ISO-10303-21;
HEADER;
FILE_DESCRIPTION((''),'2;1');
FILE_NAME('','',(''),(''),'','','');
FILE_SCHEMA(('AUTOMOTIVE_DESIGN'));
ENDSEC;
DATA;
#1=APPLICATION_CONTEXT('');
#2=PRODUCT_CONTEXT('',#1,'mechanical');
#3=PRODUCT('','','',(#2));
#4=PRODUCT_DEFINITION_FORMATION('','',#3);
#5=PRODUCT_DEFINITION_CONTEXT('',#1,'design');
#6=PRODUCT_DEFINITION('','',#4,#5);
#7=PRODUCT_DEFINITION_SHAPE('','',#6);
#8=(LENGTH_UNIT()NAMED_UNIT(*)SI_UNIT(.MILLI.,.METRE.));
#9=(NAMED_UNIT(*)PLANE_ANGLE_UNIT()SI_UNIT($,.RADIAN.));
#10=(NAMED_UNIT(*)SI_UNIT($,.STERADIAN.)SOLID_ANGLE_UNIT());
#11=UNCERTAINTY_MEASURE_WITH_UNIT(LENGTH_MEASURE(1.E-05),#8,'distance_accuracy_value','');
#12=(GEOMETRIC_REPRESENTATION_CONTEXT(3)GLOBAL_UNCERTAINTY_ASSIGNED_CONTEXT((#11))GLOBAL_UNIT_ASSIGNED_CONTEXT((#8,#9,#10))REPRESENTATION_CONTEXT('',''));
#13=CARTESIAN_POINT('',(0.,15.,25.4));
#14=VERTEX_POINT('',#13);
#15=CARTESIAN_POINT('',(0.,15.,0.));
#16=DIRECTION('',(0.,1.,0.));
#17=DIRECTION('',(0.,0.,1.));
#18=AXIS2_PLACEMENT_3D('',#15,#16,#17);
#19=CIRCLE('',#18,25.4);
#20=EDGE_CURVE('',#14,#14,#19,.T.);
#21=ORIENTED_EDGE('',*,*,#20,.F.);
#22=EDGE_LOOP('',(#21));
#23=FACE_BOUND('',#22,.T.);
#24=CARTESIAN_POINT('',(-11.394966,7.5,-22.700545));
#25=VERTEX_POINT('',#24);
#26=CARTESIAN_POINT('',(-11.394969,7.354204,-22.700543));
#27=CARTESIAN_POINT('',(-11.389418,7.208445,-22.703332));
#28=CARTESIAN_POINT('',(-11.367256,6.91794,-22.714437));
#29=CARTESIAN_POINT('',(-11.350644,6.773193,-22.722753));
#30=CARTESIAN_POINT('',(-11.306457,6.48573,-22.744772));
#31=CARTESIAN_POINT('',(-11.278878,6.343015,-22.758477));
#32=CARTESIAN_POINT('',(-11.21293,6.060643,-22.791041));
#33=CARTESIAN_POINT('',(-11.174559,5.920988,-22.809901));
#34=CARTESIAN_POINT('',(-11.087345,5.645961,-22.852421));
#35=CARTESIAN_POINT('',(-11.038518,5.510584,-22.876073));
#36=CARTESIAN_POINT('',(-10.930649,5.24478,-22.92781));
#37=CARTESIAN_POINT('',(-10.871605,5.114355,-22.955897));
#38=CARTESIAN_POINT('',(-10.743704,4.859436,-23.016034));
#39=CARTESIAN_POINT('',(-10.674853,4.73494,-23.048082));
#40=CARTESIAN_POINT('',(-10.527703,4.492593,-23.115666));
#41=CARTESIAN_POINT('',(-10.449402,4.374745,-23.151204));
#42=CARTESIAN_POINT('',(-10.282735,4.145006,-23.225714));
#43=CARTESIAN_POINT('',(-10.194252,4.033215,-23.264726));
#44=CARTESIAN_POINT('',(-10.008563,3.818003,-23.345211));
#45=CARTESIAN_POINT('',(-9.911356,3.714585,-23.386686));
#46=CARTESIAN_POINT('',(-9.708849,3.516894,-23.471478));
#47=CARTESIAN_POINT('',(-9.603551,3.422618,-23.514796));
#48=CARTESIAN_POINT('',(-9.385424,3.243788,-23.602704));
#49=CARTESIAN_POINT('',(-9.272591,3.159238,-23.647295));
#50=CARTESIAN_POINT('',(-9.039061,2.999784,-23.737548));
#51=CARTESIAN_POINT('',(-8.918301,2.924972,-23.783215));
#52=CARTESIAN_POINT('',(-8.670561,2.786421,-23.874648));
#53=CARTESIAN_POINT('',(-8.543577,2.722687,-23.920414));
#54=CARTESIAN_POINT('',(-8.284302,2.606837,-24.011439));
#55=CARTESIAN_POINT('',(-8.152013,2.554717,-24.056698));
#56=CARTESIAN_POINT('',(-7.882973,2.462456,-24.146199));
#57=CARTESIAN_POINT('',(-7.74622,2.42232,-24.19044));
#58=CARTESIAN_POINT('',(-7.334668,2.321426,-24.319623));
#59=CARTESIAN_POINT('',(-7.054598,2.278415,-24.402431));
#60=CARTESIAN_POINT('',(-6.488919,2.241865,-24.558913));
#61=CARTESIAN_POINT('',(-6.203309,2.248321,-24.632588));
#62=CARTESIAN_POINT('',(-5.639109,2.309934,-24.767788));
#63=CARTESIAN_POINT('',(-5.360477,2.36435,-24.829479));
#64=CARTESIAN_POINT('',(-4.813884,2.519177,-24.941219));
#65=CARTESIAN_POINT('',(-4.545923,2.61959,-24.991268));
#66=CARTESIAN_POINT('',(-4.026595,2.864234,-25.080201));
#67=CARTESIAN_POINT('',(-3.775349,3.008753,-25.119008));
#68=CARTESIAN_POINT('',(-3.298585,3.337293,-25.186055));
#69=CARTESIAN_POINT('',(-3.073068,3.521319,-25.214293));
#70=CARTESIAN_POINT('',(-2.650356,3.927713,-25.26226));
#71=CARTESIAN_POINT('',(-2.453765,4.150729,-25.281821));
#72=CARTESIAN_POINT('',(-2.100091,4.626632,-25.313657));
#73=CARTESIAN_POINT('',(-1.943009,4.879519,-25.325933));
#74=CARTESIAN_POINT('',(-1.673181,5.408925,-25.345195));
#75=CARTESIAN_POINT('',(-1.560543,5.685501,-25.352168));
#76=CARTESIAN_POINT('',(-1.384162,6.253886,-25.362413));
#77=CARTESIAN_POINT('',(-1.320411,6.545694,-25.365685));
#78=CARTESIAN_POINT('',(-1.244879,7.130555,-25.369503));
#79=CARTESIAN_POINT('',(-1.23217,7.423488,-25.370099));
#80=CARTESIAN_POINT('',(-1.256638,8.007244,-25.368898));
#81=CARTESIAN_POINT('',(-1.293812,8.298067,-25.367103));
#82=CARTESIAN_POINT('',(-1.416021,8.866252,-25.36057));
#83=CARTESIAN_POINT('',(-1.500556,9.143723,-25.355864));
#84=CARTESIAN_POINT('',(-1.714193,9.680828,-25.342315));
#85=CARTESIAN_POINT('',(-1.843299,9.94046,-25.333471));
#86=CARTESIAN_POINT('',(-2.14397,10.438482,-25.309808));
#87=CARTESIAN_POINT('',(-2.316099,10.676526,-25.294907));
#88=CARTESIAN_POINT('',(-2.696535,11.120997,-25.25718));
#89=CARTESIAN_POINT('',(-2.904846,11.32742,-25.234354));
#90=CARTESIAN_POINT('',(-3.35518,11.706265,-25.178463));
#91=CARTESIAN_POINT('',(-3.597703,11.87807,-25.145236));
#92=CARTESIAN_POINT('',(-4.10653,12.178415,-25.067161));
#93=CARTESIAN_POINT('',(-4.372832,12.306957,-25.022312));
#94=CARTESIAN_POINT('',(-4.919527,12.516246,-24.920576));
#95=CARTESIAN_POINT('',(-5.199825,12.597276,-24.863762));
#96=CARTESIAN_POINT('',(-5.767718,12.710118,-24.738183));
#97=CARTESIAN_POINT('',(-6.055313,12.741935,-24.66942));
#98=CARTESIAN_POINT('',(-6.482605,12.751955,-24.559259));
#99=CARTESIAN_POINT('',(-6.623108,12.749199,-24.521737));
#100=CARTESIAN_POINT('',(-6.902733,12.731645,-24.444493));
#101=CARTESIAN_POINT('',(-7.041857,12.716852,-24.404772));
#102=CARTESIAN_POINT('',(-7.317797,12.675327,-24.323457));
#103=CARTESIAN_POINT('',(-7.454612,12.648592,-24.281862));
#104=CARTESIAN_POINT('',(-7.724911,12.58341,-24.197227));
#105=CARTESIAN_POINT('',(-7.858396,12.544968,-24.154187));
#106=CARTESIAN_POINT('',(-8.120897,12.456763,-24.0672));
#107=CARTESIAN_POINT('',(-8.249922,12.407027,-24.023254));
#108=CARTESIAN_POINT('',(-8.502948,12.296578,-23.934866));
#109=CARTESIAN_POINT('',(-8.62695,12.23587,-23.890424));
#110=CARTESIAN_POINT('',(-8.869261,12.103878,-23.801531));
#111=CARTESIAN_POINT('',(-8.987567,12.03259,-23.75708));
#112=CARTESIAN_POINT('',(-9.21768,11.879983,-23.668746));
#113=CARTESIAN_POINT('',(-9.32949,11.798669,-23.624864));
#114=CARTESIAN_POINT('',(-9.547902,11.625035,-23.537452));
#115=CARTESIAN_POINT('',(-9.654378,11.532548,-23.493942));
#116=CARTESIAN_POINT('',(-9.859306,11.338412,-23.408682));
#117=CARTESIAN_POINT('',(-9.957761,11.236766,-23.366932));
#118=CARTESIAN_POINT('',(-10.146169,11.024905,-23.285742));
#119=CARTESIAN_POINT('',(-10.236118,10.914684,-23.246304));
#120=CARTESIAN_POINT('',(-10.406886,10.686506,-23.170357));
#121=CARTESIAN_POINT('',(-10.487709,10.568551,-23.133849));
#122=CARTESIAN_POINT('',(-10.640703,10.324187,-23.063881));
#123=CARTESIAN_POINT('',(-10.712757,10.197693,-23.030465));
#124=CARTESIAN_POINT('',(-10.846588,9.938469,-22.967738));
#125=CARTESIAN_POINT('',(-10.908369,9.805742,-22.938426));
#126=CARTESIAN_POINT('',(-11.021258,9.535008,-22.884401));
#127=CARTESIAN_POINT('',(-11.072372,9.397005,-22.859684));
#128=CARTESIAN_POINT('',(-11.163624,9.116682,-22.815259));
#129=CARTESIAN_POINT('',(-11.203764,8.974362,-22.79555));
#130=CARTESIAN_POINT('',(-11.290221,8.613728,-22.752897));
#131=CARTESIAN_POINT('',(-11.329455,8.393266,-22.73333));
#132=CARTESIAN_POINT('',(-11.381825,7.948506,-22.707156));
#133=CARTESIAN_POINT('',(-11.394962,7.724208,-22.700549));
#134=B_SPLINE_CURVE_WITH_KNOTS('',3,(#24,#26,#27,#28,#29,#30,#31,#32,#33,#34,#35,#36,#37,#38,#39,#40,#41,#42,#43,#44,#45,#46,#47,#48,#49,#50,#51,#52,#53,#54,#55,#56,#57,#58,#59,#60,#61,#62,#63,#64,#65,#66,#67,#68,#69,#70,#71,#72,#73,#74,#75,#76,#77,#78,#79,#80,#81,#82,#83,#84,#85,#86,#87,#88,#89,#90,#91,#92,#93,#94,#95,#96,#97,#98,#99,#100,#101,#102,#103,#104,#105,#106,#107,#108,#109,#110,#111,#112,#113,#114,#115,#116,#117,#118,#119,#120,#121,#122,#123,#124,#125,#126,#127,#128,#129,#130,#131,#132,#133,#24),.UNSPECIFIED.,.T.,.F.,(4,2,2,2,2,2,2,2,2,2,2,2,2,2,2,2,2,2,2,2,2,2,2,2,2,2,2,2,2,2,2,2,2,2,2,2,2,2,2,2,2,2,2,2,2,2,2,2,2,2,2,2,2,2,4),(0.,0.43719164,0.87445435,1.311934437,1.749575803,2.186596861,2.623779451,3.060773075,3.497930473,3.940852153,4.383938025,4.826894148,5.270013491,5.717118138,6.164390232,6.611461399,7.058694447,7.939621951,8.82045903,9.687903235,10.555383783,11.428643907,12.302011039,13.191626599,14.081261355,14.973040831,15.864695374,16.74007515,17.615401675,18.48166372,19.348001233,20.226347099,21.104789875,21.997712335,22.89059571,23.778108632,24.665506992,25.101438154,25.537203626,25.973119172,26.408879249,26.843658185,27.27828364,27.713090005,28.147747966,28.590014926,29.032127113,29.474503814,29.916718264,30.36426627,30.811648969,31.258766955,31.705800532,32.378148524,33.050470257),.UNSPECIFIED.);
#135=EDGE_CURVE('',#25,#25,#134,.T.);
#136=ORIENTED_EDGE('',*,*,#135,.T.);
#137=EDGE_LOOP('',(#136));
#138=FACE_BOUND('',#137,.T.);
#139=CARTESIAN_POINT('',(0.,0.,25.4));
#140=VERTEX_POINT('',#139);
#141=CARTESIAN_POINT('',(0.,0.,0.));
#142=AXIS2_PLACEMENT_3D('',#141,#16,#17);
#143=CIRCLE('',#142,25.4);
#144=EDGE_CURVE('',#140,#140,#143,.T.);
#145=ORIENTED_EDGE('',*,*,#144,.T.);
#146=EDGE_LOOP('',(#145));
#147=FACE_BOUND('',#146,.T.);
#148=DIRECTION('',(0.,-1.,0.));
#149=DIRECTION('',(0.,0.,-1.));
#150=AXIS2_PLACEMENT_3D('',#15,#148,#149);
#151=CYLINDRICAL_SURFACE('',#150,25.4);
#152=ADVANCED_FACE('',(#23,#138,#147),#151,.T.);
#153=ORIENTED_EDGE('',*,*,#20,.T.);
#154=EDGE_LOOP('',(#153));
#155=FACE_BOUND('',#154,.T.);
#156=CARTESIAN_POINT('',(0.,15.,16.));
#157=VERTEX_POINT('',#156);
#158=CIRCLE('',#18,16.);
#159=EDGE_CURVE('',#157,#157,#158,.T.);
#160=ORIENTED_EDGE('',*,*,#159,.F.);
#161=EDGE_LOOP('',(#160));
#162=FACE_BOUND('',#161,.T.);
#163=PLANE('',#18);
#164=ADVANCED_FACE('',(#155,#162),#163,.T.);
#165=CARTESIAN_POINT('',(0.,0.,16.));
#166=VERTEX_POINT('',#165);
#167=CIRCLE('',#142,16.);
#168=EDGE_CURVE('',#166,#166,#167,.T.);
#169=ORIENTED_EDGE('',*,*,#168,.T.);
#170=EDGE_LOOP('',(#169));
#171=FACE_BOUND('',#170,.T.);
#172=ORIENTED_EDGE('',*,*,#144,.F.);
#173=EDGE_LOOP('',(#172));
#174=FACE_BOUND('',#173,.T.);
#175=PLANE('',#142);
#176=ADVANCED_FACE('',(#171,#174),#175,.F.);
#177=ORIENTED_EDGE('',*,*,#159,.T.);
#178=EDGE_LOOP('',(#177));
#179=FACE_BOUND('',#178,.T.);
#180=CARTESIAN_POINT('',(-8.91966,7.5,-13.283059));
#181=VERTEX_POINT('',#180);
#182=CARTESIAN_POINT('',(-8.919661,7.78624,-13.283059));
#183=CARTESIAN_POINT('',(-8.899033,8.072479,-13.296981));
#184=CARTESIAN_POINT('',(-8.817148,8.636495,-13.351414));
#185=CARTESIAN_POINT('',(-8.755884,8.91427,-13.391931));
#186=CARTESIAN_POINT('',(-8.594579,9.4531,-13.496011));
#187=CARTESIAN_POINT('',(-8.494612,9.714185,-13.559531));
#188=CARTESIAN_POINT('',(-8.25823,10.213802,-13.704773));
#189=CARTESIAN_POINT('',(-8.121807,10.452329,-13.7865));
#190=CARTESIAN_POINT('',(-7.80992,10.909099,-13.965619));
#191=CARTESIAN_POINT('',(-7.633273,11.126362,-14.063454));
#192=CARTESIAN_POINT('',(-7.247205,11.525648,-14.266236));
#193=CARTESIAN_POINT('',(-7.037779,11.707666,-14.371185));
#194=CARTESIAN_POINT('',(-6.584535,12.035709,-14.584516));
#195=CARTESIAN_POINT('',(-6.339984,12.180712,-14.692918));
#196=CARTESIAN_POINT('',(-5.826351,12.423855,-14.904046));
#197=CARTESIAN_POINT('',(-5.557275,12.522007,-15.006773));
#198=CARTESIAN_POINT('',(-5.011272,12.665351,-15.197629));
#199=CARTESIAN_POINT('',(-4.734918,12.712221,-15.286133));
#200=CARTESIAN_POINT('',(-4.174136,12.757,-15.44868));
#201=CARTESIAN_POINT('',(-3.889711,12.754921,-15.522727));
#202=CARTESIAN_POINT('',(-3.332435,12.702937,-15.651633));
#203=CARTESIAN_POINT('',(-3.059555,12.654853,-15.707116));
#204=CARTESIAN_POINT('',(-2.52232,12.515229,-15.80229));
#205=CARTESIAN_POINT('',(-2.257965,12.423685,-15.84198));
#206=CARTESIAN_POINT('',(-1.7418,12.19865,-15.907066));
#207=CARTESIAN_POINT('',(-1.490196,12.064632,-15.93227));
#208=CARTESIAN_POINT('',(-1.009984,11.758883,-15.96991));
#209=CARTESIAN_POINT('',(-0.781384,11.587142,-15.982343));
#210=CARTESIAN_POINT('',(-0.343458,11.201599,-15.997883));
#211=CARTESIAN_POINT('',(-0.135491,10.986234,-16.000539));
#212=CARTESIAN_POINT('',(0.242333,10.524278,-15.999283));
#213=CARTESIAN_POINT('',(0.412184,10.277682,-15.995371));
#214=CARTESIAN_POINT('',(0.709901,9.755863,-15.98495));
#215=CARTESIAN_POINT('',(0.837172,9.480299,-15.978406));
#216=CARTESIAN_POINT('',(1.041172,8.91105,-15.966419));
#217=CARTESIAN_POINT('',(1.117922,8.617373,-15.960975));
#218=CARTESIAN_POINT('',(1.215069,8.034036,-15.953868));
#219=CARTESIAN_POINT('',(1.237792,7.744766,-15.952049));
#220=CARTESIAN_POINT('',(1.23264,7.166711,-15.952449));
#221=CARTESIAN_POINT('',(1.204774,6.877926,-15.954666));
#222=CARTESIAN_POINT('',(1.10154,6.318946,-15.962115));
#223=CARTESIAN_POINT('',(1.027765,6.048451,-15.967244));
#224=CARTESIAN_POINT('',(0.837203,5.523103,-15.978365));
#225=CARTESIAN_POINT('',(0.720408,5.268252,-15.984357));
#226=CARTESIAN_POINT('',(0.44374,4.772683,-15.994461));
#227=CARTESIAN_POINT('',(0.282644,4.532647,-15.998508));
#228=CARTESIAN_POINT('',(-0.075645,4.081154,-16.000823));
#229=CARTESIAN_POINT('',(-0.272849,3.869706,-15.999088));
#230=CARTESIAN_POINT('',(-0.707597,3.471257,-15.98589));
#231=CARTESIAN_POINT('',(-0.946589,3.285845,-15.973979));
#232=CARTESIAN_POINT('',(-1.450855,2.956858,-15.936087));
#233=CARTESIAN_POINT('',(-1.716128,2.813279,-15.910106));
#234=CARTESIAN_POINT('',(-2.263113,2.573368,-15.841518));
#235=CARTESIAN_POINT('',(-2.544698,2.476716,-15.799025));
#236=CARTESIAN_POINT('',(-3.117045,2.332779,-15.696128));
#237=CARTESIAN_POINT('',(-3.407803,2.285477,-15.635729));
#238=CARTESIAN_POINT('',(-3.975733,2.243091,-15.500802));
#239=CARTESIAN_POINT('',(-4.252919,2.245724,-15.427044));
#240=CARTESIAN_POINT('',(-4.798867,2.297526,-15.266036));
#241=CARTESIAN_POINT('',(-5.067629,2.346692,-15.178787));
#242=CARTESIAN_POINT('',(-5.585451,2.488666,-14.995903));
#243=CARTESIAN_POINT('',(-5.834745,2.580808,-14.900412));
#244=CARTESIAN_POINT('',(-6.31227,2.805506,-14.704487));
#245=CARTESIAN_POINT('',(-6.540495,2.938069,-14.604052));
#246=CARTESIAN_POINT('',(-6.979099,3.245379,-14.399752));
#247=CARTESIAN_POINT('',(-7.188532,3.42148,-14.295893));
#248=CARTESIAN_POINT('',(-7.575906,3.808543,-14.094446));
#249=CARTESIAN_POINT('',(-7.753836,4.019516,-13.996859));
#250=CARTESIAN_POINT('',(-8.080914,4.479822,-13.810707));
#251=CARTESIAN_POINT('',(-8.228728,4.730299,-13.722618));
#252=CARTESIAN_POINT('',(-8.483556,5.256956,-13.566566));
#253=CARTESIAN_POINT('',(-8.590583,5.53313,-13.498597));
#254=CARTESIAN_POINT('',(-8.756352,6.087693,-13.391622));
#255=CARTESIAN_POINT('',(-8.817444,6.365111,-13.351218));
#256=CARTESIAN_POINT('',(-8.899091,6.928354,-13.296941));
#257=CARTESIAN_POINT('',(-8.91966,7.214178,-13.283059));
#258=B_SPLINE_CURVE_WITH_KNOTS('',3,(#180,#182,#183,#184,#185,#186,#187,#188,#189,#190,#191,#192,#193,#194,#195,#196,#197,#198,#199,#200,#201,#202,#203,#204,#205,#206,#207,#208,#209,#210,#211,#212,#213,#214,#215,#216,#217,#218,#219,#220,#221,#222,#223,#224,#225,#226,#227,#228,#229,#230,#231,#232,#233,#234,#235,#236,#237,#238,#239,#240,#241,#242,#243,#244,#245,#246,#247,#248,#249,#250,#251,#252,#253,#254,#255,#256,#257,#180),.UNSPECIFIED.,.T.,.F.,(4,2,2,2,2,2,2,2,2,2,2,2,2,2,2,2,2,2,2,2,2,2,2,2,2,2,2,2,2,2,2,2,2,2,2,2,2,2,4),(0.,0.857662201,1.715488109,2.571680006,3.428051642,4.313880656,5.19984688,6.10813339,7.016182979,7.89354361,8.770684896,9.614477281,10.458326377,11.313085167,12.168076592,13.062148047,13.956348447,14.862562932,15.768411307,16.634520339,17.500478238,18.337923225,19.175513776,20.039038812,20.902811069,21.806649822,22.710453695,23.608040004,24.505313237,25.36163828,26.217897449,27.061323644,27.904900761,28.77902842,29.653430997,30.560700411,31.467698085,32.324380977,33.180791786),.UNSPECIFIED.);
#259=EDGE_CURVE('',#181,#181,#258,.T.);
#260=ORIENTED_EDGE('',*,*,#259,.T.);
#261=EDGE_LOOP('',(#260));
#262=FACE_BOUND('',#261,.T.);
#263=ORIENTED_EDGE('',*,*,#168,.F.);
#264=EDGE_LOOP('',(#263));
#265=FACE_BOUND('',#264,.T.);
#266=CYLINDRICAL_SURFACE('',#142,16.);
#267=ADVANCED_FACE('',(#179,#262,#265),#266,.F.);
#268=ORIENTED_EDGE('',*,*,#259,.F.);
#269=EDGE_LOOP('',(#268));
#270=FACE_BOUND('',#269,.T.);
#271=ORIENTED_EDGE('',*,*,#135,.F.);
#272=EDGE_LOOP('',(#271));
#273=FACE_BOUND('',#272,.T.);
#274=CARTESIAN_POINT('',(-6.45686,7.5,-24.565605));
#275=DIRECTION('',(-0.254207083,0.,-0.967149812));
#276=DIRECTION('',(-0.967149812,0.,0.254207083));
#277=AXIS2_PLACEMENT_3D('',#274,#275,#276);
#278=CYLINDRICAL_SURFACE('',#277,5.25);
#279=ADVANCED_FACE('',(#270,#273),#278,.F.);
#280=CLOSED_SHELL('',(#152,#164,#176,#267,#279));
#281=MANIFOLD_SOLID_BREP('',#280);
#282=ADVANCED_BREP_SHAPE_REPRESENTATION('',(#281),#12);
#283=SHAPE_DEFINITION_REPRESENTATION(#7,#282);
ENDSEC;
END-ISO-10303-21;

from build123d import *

# Parameters (mm, degrees)
SKETCH1_R                        = 25.4
BOSS_EXTRUDE1_DEPTH              = 15
SKETCH2_R                        = 16
CUT_EXTRUDE1_DEPTH               = 15
F_10_5_10_5_DIAMETER_HOLE1_D     = 10.5
F_10_5_10_5_DIAMETER_HOLE1_DEPTH = 30
F_10_5_10_5_DIAMETER_HOLE1_TIP   = 3.15451825


with BuildPart() as part:
    # Sketch1 → Boss-Extrude1 (new body)
    with BuildSketch(Plane(origin=(0, 0, 0), x_dir=(1, 0, 0), z_dir=(0, 1, 0))):
        with Locations(Location((0, 0, 0), (0, 0, 270))):
            Circle(SKETCH1_R)
    extrude(amount=BOSS_EXTRUDE1_DEPTH)

    # Sketch2 → Cut-Extrude1 (cut)
    with BuildSketch(Plane(origin=(0, 15, 0), x_dir=(1, 0, 0), z_dir=(0, 1, 0))):
        with Locations(Location((0, 0, 0), (0, 0, 270))):
            Circle(SKETCH2_R)
    extrude(amount=-CUT_EXTRUDE1_DEPTH, mode=Mode.SUBTRACT)

    # Ø10.5 (10.5) Diameter Hole1
    with Locations(Plane(origin=(-6.456859903, 7.5, -24.565605228), x_dir=(-0.967149812109, 0, 0.254207082784), z_dir=(-0.254207082784, 0, -0.967149812109))):
        with Locations((0, 0)):
            Hole(F_10_5_10_5_DIAMETER_HOLE1_D / 2, depth=F_10_5_10_5_DIAMETER_HOLE1_DEPTH)
            with Locations((0, 0, -(F_10_5_10_5_DIAMETER_HOLE1_DEPTH + F_10_5_10_5_DIAMETER_HOLE1_TIP / 2))):  # 118° drill point
                Cone(0, F_10_5_10_5_DIAMETER_HOLE1_D / 2, F_10_5_10_5_DIAMETER_HOLE1_TIP, mode=Mode.SUBTRACT)


solid = part.part
